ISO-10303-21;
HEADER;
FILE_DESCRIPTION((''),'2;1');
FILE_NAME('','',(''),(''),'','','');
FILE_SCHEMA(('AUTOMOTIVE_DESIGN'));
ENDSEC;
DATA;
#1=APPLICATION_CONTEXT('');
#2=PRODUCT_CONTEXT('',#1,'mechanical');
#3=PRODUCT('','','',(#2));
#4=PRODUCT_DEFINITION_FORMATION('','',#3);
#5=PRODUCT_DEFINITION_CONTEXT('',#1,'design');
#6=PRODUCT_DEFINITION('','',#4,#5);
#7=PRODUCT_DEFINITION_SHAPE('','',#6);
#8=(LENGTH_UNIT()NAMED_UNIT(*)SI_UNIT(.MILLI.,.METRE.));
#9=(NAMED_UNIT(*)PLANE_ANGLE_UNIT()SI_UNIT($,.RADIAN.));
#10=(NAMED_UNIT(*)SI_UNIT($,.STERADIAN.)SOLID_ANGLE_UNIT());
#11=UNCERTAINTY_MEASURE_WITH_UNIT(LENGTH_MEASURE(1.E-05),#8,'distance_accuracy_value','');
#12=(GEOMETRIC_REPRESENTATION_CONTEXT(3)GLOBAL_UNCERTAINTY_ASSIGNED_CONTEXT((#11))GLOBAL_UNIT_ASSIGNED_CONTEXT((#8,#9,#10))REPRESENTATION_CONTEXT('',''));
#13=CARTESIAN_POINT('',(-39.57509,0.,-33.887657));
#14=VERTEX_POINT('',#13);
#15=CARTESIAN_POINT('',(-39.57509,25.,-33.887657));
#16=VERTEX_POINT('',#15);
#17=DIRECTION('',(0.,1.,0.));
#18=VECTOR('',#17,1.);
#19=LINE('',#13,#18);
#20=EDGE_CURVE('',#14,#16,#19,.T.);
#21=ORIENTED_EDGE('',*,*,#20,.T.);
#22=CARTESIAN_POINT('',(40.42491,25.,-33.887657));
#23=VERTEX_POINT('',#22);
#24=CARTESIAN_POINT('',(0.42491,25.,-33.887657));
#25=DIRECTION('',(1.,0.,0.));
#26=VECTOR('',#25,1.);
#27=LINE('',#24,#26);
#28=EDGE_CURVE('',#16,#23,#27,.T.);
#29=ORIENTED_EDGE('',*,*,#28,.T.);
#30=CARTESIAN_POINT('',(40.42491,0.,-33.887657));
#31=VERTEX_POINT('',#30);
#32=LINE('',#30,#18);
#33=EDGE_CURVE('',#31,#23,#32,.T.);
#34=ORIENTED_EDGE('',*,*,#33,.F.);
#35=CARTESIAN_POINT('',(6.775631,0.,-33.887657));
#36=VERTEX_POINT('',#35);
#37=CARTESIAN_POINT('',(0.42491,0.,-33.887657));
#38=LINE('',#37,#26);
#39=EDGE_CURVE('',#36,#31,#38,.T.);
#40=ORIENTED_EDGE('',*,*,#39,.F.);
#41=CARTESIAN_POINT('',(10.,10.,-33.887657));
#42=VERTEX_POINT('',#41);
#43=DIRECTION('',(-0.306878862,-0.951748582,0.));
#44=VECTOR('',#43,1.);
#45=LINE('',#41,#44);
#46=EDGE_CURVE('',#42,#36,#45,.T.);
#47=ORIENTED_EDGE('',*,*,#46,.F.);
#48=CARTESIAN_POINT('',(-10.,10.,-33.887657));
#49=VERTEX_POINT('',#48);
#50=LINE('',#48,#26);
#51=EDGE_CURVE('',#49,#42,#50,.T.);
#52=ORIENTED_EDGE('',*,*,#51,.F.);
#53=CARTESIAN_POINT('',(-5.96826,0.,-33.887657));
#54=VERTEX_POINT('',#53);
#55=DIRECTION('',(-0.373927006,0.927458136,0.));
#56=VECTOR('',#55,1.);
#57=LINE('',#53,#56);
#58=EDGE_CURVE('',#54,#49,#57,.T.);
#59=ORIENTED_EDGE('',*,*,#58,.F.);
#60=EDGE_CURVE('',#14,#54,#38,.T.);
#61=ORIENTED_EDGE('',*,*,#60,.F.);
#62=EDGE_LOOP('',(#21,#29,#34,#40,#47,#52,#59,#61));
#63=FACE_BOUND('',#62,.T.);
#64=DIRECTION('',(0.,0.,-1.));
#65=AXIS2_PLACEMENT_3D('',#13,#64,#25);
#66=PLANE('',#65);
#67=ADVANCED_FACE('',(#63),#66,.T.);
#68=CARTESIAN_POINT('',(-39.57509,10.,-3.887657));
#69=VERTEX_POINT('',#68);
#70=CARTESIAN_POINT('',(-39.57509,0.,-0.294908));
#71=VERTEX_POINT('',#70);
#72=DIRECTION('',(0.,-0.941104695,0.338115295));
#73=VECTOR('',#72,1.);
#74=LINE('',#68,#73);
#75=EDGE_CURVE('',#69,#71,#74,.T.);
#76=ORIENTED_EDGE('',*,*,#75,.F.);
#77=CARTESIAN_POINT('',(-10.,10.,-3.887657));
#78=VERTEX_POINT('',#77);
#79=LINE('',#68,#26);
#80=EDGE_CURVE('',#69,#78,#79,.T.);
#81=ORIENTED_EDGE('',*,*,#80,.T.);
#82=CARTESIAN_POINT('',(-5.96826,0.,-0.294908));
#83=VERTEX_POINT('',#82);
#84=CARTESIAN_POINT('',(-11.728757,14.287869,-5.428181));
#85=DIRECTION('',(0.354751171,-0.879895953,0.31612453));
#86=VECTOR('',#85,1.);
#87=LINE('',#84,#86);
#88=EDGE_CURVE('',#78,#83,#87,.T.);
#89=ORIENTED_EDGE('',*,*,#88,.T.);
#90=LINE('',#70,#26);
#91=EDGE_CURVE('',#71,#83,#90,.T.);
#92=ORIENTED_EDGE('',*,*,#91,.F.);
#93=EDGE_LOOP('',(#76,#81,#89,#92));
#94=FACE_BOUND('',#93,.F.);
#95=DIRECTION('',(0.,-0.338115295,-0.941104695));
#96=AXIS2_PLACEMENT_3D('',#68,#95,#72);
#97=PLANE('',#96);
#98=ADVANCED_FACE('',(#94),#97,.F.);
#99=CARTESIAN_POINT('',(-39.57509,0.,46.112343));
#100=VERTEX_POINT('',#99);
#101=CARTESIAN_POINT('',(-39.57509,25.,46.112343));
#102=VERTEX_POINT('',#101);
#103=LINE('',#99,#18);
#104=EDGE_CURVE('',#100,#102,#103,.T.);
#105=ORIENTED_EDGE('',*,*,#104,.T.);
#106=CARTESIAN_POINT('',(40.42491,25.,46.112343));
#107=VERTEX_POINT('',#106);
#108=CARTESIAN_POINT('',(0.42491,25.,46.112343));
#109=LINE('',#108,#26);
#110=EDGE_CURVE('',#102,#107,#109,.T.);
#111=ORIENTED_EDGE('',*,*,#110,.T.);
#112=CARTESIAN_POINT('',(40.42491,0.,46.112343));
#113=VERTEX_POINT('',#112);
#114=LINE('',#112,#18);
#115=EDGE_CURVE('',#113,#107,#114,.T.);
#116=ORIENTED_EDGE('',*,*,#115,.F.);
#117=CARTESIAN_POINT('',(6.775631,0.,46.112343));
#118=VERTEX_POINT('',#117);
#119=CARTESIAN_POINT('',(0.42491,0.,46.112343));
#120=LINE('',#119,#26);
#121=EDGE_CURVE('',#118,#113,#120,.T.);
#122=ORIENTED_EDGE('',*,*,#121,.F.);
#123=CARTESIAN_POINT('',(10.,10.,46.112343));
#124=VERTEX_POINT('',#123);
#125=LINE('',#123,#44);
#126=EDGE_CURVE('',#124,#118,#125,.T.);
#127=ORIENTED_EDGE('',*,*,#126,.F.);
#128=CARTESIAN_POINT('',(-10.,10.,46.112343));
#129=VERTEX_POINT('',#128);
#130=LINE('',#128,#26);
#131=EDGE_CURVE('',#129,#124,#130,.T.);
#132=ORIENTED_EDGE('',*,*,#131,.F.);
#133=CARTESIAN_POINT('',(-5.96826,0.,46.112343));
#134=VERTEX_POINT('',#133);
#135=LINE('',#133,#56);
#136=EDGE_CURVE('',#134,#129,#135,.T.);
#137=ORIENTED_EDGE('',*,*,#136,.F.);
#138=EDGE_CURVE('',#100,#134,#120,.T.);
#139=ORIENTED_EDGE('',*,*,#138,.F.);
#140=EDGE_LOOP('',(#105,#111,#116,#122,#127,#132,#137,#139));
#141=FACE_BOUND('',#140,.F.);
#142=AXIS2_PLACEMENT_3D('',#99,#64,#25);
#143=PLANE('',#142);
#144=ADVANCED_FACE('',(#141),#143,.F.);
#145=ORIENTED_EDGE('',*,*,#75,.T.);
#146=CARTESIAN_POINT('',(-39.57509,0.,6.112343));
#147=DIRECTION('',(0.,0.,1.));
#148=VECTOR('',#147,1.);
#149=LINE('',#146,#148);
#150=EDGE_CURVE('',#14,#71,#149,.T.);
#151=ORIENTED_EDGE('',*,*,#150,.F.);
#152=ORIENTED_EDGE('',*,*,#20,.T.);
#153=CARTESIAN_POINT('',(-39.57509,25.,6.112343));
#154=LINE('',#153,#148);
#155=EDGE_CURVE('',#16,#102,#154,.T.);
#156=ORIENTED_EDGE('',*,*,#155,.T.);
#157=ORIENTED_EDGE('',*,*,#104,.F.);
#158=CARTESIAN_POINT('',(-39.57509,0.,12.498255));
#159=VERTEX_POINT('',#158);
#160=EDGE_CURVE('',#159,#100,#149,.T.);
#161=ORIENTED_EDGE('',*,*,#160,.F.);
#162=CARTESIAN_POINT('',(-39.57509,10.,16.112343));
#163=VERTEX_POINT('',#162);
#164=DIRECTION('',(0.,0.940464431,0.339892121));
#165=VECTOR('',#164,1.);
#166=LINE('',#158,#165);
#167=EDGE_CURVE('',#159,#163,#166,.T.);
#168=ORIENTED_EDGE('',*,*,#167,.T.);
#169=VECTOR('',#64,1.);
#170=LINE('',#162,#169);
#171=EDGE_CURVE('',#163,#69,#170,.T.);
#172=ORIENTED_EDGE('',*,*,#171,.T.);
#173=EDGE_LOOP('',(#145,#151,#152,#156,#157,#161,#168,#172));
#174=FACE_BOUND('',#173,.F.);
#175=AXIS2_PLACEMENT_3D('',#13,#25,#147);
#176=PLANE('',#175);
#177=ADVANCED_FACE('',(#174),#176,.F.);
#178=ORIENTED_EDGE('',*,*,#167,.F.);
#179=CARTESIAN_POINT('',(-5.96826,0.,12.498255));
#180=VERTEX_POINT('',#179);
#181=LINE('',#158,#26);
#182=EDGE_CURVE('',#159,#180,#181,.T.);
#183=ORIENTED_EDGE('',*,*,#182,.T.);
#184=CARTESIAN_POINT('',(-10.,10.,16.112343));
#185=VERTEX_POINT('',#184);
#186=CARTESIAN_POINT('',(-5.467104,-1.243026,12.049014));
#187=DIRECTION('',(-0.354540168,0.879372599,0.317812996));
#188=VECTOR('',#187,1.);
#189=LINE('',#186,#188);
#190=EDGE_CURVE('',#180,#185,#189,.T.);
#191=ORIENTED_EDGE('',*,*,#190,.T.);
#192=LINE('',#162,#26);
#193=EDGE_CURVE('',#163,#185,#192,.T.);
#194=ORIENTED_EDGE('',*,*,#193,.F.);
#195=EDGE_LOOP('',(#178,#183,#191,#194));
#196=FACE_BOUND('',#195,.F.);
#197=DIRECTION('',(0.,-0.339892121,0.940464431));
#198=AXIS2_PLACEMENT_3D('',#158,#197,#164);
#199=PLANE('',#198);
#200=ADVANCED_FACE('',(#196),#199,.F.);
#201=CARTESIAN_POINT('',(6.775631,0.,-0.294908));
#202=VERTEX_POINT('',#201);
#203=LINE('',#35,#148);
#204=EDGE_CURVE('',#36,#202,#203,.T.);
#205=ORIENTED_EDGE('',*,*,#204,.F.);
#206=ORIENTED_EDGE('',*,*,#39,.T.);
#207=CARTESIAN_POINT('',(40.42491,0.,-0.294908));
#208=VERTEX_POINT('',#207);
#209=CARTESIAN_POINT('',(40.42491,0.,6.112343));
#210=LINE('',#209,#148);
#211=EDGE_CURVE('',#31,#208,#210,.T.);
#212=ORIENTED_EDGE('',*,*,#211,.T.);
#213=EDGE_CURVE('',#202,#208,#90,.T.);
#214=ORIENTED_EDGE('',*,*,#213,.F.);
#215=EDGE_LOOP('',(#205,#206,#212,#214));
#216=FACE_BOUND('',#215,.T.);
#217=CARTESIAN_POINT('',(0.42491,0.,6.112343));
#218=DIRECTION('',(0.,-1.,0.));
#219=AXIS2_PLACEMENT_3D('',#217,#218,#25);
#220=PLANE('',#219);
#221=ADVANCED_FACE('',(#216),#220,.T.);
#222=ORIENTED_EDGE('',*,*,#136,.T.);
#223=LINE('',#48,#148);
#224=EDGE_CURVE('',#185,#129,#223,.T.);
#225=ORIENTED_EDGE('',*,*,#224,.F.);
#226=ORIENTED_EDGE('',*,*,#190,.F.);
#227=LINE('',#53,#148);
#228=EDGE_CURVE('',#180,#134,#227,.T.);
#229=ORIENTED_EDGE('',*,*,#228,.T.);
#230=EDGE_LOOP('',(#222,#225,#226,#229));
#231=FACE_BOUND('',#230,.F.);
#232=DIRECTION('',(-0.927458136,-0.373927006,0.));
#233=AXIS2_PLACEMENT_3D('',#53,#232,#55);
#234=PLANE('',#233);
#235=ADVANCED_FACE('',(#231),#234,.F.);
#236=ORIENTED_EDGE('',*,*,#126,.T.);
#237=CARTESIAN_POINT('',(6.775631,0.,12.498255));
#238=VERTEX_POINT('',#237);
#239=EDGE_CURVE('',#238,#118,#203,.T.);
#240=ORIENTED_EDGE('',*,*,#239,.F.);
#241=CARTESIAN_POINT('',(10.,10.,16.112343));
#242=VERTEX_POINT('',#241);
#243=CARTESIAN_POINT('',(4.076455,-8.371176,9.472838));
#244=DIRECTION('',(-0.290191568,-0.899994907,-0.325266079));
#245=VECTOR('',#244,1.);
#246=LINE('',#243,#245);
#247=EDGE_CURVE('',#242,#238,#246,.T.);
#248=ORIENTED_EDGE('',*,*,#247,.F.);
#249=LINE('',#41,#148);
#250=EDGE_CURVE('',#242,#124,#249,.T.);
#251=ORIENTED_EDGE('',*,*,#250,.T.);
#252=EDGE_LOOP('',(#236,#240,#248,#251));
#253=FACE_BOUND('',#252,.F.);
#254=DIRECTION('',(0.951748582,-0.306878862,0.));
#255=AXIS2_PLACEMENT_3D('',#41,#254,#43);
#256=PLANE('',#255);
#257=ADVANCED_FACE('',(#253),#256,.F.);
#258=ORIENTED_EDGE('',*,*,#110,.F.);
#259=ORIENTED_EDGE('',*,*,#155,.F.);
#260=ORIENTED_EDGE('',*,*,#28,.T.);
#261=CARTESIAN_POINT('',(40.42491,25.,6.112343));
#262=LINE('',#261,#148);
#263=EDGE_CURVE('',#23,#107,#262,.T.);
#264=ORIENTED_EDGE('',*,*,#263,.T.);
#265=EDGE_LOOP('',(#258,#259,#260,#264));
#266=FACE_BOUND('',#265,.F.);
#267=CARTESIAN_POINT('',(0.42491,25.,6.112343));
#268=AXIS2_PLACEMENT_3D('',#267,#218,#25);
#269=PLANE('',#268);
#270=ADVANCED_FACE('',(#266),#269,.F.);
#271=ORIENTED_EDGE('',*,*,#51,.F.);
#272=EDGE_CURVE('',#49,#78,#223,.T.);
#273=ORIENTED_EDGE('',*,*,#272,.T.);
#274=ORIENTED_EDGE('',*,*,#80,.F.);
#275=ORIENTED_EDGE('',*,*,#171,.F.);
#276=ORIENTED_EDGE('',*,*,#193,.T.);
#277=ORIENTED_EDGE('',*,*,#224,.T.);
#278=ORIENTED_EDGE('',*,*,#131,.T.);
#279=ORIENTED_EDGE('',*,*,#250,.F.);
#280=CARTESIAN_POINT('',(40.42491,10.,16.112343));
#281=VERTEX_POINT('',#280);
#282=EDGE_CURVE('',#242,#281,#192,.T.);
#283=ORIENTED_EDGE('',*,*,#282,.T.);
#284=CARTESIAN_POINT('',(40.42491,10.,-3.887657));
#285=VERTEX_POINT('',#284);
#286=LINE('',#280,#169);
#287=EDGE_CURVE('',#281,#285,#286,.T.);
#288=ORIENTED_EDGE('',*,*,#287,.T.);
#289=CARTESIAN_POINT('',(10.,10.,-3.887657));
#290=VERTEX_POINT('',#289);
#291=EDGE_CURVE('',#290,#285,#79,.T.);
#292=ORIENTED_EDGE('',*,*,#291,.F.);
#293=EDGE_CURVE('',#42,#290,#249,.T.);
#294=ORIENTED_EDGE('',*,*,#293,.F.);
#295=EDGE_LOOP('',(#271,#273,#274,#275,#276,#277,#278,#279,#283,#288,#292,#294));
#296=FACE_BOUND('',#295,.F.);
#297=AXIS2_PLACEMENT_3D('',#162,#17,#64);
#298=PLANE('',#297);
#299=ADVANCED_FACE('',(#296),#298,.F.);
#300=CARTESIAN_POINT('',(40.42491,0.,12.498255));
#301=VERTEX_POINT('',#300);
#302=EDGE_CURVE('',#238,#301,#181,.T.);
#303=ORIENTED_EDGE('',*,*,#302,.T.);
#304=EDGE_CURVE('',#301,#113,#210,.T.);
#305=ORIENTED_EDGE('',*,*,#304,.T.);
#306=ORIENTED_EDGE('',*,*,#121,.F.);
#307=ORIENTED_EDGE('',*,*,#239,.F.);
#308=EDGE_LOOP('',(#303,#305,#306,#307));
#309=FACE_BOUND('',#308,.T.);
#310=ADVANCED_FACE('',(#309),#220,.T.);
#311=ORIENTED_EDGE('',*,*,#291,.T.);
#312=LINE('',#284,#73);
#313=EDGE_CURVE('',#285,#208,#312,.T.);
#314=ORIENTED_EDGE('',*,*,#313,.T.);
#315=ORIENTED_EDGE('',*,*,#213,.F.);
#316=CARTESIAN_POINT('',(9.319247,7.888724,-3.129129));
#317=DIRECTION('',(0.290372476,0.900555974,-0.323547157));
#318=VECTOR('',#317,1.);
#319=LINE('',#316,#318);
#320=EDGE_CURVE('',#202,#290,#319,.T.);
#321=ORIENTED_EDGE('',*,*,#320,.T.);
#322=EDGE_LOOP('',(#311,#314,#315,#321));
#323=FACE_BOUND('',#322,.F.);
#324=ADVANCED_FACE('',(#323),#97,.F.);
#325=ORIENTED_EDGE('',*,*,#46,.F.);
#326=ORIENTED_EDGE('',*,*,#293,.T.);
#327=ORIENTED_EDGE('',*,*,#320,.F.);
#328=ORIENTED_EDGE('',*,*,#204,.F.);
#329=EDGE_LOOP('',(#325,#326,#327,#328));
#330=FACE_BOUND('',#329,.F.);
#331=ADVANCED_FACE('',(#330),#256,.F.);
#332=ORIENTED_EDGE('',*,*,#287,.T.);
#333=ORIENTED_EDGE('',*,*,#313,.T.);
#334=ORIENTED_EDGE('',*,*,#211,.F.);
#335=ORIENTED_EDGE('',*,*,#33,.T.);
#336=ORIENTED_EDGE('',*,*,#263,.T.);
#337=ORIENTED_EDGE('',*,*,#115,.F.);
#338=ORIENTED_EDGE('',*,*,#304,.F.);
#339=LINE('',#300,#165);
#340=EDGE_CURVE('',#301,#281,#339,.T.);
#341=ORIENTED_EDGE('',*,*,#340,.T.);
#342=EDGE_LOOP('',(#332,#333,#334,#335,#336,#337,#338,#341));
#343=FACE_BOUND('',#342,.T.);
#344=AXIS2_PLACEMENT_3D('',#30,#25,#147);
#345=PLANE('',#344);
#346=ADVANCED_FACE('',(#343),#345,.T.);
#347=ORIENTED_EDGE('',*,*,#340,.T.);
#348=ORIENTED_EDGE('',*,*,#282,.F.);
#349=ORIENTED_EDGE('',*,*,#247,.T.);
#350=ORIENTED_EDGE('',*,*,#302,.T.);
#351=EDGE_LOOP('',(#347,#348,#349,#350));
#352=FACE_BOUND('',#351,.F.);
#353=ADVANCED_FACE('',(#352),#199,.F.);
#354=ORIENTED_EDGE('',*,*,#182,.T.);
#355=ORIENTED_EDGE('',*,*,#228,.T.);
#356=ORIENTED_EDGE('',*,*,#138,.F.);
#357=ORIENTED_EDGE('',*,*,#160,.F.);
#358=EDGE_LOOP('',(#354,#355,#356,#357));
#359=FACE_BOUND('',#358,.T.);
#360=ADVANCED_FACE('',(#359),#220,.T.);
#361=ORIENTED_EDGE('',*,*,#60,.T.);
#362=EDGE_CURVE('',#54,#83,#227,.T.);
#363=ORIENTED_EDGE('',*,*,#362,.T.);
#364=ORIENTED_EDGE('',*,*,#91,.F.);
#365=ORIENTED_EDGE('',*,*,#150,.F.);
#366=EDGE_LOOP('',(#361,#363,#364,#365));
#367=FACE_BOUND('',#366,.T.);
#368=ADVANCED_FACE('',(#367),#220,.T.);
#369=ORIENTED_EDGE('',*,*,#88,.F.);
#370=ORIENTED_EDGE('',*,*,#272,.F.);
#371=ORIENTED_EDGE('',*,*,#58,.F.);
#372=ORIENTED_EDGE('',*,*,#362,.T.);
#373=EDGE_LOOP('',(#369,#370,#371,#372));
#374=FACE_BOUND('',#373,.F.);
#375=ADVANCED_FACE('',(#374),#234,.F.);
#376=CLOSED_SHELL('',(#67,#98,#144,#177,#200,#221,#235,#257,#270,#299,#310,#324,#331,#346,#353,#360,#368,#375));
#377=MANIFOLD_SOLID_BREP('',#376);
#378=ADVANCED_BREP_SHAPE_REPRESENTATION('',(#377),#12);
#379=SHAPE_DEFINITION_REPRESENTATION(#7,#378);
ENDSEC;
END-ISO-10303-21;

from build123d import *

# Parameters (mm, degrees)
F0_W     = 80
F0_H     = 80
F1_DEPTH = 25
F3_DEPTH = 80
F5_DEPTH = 80


with BuildPart() as f1:
    # F0 (on Front) → F1 (new body)
    with BuildSketch(Plane.XZ):
        with Locations((0.42491, 6.112343)):
            Rectangle(F0_W, F0_H)
    extrude(amount=-F1_DEPTH)

    # F2 (on face) → F3 (cut)
    with BuildSketch(Plane(origin=(0, 0, -33.887657), x_dir=(1, 0, 0), z_dir=(0, 0, -1))):
        Polygon((-5.96826, 0), (-10, -10), (10, -10), (6.775631, 0), align=None)
    extrude(amount=-F3_DEPTH, mode=Mode.SUBTRACT)

    # F4 (on face) → F5 (cut)
    with BuildSketch(Plane(origin=(-39.57509, 0, 0), x_dir=(0, -1, 0), z_dir=(-1, 0, 0))):
        Polygon((-10, 16.112343), (-10, 6.112343), (-10, -3.887657), (0, -0.294908), (0, 12.498255), align=None)
    extrude(amount=-F5_DEPTH, mode=Mode.SUBTRACT)


solid = f1.part
